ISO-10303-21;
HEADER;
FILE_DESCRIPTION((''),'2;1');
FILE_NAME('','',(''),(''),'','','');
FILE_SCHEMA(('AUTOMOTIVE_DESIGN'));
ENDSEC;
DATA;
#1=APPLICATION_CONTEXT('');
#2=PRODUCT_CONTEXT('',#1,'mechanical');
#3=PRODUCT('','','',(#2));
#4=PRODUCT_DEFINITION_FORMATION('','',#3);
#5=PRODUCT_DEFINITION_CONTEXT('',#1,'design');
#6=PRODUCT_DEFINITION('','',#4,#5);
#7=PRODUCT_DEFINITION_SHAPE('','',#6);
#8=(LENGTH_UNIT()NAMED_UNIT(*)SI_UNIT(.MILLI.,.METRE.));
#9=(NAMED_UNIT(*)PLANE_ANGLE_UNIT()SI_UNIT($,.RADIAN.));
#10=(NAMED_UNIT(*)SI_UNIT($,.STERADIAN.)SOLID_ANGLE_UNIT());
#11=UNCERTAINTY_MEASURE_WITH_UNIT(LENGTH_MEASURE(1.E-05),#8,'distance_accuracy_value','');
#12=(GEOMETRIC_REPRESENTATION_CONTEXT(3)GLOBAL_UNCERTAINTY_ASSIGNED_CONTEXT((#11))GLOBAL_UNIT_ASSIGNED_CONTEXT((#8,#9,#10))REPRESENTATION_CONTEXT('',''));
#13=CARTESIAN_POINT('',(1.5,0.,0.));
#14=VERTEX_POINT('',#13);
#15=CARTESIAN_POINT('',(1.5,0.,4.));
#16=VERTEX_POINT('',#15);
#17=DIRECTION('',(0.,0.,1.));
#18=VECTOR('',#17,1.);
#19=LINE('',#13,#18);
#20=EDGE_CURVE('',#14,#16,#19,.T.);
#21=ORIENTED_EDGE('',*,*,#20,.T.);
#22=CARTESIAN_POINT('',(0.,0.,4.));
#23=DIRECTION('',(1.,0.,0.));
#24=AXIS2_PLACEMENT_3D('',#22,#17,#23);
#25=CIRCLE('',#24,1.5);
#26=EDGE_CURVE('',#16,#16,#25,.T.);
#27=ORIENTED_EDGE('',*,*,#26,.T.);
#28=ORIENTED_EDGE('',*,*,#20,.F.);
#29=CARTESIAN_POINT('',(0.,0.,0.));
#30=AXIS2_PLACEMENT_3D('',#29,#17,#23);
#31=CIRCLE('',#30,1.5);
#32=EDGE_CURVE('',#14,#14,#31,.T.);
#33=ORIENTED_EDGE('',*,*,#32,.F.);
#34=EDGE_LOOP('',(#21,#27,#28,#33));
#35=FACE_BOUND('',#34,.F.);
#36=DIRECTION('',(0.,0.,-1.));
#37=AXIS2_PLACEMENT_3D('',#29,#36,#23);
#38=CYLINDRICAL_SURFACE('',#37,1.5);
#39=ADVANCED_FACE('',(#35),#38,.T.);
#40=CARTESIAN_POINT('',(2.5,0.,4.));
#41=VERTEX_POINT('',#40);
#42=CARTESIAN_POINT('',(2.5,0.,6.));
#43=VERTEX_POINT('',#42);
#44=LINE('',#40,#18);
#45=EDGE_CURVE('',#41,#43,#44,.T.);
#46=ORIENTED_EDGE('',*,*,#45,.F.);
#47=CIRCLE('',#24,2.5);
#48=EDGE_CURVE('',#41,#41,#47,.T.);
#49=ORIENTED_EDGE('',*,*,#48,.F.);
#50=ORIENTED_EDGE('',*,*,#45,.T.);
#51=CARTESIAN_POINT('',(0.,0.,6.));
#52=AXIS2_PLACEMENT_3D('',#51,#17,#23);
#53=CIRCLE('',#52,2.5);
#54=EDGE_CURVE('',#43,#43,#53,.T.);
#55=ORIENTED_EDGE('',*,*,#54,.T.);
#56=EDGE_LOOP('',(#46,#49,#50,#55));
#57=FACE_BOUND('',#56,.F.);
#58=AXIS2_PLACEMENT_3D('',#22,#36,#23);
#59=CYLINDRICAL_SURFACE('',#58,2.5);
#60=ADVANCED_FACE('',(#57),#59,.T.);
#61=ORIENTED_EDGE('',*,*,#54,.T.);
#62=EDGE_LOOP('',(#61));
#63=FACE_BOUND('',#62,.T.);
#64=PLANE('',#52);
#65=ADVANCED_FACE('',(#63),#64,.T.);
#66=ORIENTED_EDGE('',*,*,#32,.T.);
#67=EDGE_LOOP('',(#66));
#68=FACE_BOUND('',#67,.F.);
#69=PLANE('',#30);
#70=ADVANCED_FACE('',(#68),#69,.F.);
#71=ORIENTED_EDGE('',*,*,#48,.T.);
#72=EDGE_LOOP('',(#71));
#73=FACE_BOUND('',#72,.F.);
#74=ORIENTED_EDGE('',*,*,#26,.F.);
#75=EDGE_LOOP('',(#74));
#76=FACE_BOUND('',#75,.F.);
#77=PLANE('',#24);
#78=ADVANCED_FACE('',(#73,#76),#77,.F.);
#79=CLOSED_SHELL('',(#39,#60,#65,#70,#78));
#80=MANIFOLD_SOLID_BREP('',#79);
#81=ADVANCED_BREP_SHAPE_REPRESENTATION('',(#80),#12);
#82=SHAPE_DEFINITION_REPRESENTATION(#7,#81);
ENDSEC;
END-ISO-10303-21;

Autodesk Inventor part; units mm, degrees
ref_plane "YZ Plane" through (0, 0, 0) normal (1, 0, 0) x (0, 1, 0)
ref_plane "XZ Plane" through (0, 0, 0) normal (0, 1, 0) x (-1, 0, 0)
ref_plane "XY Plane" through (0, 0, 0) normal (0, 0, 1) x (1, 0, 0)
sketch "スケッチ1" plane through (0, 0, 0) normal (0, 0, 1) x (1, 0, 0)
  circle A0 centre (0, 0) radius 1.5
  dimension "d0" = 3
extrude "押し出し1" add sketch "スケッチ1" along normal blind 4
sketch "スケッチ2" plane through (0, 0, 4) normal (0, 0, 1) x (1, 0, 0)
  circle A0 centre (0, 0) radius 2.5
  dimension "d3" = 5
extrude "押し出し2" add sketch "スケッチ2" along normal blind 2
equation "\"BendRadius\" = Thickness"
equation "\"BendReliefWidth\" = Thickness"
equation "\"BendReliefDepth\" = 0.5 * Thickness"
equation "\"CornerReliefSize\" = 4 * Thickness"
equation "\"MinimumRemnant\" = 2 * Thickness"
equation "\"TransitionRadius\" = BendRadius"
equation "\"JacobiRadiusSize\" = BendRadius"
equation "\"GapSize\" = Thickness"
equation "\"Thickness\" = 0.5"
properties part number "creat5"
